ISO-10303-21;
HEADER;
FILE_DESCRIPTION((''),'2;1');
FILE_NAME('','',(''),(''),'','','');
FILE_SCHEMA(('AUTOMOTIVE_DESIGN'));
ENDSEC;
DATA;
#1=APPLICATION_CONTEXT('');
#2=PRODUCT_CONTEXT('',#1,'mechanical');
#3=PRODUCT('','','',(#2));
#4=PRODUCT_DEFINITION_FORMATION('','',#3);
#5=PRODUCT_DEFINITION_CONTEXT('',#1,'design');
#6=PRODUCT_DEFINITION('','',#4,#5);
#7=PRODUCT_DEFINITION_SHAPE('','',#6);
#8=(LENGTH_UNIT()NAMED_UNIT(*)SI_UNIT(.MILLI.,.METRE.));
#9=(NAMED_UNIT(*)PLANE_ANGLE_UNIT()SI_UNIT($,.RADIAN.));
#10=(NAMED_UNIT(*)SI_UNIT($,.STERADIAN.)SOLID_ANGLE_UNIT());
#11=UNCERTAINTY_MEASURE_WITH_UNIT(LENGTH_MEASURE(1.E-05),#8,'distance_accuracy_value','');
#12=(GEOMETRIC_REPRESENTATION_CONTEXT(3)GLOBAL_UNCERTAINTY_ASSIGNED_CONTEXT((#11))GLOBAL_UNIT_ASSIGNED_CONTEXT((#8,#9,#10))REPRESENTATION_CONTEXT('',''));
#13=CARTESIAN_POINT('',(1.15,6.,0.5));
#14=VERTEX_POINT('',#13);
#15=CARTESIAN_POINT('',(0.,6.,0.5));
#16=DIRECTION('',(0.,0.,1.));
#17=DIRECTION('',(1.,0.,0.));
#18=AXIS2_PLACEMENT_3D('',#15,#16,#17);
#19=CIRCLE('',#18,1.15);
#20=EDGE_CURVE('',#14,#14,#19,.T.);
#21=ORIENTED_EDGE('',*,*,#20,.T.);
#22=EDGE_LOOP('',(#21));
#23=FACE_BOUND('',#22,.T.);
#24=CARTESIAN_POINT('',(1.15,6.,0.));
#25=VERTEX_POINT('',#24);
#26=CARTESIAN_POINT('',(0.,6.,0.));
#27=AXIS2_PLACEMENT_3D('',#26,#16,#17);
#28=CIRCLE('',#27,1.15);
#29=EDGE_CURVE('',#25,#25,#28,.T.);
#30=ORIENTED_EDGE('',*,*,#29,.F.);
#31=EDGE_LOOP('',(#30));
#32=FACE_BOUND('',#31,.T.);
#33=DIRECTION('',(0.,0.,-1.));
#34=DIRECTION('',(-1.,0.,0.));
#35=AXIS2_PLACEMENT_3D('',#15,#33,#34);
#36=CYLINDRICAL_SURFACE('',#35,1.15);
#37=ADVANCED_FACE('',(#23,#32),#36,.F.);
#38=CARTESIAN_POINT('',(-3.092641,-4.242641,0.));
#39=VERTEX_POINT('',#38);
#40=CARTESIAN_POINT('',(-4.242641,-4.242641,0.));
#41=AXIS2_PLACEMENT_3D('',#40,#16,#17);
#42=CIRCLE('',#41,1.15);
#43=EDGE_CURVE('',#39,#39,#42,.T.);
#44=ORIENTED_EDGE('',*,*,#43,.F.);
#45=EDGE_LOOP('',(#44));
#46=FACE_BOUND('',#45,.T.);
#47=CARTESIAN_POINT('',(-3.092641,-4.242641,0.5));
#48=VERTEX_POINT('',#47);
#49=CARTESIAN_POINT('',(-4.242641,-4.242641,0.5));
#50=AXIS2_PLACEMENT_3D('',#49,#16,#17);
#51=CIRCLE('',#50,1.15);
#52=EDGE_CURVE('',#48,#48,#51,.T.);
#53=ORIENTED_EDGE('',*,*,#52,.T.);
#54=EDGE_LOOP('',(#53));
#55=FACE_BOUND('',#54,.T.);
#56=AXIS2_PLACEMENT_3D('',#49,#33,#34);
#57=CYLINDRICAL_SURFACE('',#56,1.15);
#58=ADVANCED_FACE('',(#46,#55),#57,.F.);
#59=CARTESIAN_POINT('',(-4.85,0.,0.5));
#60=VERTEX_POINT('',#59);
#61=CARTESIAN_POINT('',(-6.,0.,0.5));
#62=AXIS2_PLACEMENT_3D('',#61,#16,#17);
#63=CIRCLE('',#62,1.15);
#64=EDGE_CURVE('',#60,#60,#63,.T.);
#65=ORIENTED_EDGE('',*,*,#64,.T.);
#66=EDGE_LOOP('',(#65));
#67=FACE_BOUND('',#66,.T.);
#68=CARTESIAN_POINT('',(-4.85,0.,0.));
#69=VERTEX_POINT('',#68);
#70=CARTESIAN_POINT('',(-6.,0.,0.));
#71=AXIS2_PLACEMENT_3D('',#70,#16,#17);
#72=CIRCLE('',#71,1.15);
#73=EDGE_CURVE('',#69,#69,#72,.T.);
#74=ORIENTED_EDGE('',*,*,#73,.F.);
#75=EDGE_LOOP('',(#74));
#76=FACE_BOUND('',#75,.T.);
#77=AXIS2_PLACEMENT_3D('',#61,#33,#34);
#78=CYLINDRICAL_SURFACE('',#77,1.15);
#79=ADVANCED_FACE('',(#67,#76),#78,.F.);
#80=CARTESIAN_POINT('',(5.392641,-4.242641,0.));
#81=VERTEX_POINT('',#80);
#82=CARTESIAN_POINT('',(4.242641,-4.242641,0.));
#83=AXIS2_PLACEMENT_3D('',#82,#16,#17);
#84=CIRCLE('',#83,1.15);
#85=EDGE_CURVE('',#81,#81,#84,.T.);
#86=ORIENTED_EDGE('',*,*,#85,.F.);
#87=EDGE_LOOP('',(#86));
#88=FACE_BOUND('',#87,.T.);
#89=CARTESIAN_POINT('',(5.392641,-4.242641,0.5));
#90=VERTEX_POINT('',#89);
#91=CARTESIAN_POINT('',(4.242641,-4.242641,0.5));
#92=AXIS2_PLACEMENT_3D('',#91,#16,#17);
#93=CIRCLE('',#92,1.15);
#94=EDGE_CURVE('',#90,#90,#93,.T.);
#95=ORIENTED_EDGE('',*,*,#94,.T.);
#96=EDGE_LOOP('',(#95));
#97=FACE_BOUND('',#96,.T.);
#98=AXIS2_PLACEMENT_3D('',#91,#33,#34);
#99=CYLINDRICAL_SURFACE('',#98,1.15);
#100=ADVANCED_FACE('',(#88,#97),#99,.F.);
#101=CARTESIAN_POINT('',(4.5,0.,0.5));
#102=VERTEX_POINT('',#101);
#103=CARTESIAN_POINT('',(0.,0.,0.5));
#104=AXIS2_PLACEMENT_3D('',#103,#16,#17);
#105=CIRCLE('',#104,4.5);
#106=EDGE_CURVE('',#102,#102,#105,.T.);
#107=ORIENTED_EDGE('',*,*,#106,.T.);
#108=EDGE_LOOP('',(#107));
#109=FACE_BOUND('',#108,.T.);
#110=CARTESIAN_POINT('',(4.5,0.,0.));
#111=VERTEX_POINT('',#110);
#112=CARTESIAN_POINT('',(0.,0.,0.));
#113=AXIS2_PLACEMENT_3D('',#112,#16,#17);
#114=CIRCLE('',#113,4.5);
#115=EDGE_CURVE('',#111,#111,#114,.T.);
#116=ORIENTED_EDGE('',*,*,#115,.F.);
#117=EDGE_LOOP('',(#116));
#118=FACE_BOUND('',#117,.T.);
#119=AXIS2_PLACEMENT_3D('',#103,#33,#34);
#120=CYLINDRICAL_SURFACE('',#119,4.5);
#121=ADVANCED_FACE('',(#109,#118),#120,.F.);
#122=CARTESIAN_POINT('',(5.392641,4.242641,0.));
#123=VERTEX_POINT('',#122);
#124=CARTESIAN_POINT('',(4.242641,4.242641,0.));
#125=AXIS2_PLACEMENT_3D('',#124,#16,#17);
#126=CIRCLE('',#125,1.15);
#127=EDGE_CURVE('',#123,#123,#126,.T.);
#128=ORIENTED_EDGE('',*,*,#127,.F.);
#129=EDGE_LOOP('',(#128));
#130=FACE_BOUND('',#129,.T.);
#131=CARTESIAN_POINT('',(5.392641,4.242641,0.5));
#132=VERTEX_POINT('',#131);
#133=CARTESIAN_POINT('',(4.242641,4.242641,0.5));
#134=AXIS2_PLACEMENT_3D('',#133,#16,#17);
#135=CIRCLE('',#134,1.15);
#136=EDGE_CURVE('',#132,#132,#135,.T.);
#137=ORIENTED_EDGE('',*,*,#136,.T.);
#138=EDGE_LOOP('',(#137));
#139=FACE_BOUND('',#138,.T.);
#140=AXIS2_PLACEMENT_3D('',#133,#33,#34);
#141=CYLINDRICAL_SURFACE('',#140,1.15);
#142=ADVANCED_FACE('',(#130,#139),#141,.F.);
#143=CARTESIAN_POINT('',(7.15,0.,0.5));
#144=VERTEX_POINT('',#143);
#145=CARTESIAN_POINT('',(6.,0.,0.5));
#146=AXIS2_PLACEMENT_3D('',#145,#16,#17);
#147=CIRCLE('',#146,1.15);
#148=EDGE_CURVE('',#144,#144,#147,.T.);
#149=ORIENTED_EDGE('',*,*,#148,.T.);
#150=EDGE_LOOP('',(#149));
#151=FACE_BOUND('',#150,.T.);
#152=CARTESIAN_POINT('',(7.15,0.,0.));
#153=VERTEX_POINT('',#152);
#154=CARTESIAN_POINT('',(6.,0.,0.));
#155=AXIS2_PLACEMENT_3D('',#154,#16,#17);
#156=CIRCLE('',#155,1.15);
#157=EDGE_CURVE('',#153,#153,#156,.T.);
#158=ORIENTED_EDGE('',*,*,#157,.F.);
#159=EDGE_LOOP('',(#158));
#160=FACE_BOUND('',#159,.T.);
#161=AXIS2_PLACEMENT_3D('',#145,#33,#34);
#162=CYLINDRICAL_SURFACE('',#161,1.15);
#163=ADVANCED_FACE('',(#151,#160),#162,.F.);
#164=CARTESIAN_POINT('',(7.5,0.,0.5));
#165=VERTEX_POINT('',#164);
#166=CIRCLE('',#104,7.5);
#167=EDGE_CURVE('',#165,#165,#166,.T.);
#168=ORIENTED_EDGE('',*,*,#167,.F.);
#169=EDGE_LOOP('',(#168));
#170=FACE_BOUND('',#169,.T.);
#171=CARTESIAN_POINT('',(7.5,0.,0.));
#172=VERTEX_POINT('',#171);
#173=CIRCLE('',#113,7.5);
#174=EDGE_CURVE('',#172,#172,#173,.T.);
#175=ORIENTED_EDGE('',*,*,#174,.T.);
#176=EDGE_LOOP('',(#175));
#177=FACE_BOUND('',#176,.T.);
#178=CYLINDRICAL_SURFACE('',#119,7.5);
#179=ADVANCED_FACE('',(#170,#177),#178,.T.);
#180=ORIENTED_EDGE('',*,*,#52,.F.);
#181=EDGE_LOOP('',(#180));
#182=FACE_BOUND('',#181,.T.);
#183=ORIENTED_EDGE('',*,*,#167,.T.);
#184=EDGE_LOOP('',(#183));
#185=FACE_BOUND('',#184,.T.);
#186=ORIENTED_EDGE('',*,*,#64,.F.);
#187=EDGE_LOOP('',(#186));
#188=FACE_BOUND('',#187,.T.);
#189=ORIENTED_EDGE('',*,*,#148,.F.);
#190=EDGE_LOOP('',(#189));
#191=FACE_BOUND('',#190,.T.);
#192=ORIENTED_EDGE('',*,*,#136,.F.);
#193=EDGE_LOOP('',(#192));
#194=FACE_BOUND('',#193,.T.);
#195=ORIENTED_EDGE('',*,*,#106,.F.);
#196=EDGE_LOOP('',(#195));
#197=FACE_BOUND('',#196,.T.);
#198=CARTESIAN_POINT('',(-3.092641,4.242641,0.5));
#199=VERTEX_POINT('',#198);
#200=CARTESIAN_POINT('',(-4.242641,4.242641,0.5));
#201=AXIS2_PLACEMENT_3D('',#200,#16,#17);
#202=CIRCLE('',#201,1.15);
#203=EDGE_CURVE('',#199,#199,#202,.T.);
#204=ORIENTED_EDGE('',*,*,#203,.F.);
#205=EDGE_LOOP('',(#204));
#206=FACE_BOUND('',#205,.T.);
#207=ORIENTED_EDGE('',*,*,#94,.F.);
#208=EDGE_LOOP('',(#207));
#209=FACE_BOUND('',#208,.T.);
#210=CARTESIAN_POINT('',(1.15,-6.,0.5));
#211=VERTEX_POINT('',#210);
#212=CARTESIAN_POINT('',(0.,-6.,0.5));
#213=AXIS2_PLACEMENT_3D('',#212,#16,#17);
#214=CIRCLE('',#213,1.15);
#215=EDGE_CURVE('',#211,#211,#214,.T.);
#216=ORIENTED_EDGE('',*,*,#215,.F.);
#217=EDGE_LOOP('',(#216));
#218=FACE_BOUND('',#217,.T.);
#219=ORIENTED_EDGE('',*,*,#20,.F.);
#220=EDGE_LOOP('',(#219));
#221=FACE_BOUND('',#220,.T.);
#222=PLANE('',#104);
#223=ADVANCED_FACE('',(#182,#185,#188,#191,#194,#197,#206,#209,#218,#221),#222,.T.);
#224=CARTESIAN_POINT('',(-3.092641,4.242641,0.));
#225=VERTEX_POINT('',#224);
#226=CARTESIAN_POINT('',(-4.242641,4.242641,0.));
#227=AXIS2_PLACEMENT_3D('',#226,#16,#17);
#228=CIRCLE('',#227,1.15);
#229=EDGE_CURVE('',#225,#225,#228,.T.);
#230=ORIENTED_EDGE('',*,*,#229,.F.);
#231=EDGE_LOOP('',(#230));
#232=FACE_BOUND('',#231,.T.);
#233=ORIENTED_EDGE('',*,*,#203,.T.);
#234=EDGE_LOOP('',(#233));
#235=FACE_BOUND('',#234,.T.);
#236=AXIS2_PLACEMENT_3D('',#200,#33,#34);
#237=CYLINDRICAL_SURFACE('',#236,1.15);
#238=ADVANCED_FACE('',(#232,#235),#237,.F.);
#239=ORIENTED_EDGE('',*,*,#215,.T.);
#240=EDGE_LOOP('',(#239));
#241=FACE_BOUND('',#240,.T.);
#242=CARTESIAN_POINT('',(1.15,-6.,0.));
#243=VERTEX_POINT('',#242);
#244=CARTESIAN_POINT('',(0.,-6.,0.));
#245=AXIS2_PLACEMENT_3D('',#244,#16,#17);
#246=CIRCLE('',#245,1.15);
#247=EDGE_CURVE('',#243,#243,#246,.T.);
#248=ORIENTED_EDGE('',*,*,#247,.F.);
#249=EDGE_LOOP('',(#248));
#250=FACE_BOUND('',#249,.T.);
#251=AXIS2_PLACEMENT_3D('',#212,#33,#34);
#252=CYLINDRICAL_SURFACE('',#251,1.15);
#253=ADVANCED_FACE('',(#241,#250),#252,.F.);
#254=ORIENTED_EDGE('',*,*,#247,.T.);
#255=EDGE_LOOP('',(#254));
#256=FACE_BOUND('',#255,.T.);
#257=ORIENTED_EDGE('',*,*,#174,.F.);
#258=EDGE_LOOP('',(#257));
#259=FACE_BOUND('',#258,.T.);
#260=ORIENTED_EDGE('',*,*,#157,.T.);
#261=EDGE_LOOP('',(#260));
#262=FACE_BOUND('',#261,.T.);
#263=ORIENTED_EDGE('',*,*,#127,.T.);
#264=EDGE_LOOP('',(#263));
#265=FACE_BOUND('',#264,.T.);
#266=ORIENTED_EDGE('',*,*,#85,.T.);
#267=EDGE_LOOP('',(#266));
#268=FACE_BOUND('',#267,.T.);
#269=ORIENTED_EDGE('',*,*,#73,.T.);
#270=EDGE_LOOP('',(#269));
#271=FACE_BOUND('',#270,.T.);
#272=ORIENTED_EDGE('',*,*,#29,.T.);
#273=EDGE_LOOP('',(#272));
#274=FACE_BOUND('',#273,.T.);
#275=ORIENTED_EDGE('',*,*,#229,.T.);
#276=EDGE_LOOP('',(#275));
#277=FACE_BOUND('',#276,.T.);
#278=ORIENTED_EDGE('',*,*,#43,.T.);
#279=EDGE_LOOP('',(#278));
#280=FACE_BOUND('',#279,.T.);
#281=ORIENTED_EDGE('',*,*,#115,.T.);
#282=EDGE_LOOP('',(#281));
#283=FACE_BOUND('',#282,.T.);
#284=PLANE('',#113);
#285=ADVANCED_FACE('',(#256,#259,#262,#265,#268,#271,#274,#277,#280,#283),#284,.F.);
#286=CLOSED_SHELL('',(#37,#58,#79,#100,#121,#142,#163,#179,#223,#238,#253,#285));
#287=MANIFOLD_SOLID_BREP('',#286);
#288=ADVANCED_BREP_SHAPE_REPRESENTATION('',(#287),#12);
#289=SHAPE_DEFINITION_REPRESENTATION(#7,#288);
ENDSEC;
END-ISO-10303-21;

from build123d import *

# Parameters (mm, degrees)
SKETCH_1_R      = 7.5
SKETCH_1_R_2    = 1.15
SKETCH_1_R_3    = 4.5
EXTRUDE_1_DEPTH = 0.5


with BuildPart() as part:
    # 草图1 → 凸台-拉伸1 (new body)
    with BuildSketch(Plane.XY):
        Circle(SKETCH_1_R)
        with Locations((0, 6)):
            Circle(SKETCH_1_R_2, mode=Mode.SUBTRACT)
        Circle(SKETCH_1_R_3, mode=Mode.SUBTRACT)
        with Locations((4.242640687, 4.242640687)):
            Circle(SKETCH_1_R_2, mode=Mode.SUBTRACT)
        with Locations((6, 0)):
            Circle(SKETCH_1_R_2, mode=Mode.SUBTRACT)
        with Locations((4.242640687, -4.242640687)):
            Circle(SKETCH_1_R_2, mode=Mode.SUBTRACT)
        with Locations((0, -6)):
            Circle(SKETCH_1_R_2, mode=Mode.SUBTRACT)
        with Locations((-4.242640687, -4.242640687)):
            Circle(SKETCH_1_R_2, mode=Mode.SUBTRACT)
        with Locations((-6, 0)):
            Circle(SKETCH_1_R_2, mode=Mode.SUBTRACT)
        with Locations((-4.242640687, 4.242640687)):
            Circle(SKETCH_1_R_2, mode=Mode.SUBTRACT)
    extrude(amount=EXTRUDE_1_DEPTH)


solid = part.part
